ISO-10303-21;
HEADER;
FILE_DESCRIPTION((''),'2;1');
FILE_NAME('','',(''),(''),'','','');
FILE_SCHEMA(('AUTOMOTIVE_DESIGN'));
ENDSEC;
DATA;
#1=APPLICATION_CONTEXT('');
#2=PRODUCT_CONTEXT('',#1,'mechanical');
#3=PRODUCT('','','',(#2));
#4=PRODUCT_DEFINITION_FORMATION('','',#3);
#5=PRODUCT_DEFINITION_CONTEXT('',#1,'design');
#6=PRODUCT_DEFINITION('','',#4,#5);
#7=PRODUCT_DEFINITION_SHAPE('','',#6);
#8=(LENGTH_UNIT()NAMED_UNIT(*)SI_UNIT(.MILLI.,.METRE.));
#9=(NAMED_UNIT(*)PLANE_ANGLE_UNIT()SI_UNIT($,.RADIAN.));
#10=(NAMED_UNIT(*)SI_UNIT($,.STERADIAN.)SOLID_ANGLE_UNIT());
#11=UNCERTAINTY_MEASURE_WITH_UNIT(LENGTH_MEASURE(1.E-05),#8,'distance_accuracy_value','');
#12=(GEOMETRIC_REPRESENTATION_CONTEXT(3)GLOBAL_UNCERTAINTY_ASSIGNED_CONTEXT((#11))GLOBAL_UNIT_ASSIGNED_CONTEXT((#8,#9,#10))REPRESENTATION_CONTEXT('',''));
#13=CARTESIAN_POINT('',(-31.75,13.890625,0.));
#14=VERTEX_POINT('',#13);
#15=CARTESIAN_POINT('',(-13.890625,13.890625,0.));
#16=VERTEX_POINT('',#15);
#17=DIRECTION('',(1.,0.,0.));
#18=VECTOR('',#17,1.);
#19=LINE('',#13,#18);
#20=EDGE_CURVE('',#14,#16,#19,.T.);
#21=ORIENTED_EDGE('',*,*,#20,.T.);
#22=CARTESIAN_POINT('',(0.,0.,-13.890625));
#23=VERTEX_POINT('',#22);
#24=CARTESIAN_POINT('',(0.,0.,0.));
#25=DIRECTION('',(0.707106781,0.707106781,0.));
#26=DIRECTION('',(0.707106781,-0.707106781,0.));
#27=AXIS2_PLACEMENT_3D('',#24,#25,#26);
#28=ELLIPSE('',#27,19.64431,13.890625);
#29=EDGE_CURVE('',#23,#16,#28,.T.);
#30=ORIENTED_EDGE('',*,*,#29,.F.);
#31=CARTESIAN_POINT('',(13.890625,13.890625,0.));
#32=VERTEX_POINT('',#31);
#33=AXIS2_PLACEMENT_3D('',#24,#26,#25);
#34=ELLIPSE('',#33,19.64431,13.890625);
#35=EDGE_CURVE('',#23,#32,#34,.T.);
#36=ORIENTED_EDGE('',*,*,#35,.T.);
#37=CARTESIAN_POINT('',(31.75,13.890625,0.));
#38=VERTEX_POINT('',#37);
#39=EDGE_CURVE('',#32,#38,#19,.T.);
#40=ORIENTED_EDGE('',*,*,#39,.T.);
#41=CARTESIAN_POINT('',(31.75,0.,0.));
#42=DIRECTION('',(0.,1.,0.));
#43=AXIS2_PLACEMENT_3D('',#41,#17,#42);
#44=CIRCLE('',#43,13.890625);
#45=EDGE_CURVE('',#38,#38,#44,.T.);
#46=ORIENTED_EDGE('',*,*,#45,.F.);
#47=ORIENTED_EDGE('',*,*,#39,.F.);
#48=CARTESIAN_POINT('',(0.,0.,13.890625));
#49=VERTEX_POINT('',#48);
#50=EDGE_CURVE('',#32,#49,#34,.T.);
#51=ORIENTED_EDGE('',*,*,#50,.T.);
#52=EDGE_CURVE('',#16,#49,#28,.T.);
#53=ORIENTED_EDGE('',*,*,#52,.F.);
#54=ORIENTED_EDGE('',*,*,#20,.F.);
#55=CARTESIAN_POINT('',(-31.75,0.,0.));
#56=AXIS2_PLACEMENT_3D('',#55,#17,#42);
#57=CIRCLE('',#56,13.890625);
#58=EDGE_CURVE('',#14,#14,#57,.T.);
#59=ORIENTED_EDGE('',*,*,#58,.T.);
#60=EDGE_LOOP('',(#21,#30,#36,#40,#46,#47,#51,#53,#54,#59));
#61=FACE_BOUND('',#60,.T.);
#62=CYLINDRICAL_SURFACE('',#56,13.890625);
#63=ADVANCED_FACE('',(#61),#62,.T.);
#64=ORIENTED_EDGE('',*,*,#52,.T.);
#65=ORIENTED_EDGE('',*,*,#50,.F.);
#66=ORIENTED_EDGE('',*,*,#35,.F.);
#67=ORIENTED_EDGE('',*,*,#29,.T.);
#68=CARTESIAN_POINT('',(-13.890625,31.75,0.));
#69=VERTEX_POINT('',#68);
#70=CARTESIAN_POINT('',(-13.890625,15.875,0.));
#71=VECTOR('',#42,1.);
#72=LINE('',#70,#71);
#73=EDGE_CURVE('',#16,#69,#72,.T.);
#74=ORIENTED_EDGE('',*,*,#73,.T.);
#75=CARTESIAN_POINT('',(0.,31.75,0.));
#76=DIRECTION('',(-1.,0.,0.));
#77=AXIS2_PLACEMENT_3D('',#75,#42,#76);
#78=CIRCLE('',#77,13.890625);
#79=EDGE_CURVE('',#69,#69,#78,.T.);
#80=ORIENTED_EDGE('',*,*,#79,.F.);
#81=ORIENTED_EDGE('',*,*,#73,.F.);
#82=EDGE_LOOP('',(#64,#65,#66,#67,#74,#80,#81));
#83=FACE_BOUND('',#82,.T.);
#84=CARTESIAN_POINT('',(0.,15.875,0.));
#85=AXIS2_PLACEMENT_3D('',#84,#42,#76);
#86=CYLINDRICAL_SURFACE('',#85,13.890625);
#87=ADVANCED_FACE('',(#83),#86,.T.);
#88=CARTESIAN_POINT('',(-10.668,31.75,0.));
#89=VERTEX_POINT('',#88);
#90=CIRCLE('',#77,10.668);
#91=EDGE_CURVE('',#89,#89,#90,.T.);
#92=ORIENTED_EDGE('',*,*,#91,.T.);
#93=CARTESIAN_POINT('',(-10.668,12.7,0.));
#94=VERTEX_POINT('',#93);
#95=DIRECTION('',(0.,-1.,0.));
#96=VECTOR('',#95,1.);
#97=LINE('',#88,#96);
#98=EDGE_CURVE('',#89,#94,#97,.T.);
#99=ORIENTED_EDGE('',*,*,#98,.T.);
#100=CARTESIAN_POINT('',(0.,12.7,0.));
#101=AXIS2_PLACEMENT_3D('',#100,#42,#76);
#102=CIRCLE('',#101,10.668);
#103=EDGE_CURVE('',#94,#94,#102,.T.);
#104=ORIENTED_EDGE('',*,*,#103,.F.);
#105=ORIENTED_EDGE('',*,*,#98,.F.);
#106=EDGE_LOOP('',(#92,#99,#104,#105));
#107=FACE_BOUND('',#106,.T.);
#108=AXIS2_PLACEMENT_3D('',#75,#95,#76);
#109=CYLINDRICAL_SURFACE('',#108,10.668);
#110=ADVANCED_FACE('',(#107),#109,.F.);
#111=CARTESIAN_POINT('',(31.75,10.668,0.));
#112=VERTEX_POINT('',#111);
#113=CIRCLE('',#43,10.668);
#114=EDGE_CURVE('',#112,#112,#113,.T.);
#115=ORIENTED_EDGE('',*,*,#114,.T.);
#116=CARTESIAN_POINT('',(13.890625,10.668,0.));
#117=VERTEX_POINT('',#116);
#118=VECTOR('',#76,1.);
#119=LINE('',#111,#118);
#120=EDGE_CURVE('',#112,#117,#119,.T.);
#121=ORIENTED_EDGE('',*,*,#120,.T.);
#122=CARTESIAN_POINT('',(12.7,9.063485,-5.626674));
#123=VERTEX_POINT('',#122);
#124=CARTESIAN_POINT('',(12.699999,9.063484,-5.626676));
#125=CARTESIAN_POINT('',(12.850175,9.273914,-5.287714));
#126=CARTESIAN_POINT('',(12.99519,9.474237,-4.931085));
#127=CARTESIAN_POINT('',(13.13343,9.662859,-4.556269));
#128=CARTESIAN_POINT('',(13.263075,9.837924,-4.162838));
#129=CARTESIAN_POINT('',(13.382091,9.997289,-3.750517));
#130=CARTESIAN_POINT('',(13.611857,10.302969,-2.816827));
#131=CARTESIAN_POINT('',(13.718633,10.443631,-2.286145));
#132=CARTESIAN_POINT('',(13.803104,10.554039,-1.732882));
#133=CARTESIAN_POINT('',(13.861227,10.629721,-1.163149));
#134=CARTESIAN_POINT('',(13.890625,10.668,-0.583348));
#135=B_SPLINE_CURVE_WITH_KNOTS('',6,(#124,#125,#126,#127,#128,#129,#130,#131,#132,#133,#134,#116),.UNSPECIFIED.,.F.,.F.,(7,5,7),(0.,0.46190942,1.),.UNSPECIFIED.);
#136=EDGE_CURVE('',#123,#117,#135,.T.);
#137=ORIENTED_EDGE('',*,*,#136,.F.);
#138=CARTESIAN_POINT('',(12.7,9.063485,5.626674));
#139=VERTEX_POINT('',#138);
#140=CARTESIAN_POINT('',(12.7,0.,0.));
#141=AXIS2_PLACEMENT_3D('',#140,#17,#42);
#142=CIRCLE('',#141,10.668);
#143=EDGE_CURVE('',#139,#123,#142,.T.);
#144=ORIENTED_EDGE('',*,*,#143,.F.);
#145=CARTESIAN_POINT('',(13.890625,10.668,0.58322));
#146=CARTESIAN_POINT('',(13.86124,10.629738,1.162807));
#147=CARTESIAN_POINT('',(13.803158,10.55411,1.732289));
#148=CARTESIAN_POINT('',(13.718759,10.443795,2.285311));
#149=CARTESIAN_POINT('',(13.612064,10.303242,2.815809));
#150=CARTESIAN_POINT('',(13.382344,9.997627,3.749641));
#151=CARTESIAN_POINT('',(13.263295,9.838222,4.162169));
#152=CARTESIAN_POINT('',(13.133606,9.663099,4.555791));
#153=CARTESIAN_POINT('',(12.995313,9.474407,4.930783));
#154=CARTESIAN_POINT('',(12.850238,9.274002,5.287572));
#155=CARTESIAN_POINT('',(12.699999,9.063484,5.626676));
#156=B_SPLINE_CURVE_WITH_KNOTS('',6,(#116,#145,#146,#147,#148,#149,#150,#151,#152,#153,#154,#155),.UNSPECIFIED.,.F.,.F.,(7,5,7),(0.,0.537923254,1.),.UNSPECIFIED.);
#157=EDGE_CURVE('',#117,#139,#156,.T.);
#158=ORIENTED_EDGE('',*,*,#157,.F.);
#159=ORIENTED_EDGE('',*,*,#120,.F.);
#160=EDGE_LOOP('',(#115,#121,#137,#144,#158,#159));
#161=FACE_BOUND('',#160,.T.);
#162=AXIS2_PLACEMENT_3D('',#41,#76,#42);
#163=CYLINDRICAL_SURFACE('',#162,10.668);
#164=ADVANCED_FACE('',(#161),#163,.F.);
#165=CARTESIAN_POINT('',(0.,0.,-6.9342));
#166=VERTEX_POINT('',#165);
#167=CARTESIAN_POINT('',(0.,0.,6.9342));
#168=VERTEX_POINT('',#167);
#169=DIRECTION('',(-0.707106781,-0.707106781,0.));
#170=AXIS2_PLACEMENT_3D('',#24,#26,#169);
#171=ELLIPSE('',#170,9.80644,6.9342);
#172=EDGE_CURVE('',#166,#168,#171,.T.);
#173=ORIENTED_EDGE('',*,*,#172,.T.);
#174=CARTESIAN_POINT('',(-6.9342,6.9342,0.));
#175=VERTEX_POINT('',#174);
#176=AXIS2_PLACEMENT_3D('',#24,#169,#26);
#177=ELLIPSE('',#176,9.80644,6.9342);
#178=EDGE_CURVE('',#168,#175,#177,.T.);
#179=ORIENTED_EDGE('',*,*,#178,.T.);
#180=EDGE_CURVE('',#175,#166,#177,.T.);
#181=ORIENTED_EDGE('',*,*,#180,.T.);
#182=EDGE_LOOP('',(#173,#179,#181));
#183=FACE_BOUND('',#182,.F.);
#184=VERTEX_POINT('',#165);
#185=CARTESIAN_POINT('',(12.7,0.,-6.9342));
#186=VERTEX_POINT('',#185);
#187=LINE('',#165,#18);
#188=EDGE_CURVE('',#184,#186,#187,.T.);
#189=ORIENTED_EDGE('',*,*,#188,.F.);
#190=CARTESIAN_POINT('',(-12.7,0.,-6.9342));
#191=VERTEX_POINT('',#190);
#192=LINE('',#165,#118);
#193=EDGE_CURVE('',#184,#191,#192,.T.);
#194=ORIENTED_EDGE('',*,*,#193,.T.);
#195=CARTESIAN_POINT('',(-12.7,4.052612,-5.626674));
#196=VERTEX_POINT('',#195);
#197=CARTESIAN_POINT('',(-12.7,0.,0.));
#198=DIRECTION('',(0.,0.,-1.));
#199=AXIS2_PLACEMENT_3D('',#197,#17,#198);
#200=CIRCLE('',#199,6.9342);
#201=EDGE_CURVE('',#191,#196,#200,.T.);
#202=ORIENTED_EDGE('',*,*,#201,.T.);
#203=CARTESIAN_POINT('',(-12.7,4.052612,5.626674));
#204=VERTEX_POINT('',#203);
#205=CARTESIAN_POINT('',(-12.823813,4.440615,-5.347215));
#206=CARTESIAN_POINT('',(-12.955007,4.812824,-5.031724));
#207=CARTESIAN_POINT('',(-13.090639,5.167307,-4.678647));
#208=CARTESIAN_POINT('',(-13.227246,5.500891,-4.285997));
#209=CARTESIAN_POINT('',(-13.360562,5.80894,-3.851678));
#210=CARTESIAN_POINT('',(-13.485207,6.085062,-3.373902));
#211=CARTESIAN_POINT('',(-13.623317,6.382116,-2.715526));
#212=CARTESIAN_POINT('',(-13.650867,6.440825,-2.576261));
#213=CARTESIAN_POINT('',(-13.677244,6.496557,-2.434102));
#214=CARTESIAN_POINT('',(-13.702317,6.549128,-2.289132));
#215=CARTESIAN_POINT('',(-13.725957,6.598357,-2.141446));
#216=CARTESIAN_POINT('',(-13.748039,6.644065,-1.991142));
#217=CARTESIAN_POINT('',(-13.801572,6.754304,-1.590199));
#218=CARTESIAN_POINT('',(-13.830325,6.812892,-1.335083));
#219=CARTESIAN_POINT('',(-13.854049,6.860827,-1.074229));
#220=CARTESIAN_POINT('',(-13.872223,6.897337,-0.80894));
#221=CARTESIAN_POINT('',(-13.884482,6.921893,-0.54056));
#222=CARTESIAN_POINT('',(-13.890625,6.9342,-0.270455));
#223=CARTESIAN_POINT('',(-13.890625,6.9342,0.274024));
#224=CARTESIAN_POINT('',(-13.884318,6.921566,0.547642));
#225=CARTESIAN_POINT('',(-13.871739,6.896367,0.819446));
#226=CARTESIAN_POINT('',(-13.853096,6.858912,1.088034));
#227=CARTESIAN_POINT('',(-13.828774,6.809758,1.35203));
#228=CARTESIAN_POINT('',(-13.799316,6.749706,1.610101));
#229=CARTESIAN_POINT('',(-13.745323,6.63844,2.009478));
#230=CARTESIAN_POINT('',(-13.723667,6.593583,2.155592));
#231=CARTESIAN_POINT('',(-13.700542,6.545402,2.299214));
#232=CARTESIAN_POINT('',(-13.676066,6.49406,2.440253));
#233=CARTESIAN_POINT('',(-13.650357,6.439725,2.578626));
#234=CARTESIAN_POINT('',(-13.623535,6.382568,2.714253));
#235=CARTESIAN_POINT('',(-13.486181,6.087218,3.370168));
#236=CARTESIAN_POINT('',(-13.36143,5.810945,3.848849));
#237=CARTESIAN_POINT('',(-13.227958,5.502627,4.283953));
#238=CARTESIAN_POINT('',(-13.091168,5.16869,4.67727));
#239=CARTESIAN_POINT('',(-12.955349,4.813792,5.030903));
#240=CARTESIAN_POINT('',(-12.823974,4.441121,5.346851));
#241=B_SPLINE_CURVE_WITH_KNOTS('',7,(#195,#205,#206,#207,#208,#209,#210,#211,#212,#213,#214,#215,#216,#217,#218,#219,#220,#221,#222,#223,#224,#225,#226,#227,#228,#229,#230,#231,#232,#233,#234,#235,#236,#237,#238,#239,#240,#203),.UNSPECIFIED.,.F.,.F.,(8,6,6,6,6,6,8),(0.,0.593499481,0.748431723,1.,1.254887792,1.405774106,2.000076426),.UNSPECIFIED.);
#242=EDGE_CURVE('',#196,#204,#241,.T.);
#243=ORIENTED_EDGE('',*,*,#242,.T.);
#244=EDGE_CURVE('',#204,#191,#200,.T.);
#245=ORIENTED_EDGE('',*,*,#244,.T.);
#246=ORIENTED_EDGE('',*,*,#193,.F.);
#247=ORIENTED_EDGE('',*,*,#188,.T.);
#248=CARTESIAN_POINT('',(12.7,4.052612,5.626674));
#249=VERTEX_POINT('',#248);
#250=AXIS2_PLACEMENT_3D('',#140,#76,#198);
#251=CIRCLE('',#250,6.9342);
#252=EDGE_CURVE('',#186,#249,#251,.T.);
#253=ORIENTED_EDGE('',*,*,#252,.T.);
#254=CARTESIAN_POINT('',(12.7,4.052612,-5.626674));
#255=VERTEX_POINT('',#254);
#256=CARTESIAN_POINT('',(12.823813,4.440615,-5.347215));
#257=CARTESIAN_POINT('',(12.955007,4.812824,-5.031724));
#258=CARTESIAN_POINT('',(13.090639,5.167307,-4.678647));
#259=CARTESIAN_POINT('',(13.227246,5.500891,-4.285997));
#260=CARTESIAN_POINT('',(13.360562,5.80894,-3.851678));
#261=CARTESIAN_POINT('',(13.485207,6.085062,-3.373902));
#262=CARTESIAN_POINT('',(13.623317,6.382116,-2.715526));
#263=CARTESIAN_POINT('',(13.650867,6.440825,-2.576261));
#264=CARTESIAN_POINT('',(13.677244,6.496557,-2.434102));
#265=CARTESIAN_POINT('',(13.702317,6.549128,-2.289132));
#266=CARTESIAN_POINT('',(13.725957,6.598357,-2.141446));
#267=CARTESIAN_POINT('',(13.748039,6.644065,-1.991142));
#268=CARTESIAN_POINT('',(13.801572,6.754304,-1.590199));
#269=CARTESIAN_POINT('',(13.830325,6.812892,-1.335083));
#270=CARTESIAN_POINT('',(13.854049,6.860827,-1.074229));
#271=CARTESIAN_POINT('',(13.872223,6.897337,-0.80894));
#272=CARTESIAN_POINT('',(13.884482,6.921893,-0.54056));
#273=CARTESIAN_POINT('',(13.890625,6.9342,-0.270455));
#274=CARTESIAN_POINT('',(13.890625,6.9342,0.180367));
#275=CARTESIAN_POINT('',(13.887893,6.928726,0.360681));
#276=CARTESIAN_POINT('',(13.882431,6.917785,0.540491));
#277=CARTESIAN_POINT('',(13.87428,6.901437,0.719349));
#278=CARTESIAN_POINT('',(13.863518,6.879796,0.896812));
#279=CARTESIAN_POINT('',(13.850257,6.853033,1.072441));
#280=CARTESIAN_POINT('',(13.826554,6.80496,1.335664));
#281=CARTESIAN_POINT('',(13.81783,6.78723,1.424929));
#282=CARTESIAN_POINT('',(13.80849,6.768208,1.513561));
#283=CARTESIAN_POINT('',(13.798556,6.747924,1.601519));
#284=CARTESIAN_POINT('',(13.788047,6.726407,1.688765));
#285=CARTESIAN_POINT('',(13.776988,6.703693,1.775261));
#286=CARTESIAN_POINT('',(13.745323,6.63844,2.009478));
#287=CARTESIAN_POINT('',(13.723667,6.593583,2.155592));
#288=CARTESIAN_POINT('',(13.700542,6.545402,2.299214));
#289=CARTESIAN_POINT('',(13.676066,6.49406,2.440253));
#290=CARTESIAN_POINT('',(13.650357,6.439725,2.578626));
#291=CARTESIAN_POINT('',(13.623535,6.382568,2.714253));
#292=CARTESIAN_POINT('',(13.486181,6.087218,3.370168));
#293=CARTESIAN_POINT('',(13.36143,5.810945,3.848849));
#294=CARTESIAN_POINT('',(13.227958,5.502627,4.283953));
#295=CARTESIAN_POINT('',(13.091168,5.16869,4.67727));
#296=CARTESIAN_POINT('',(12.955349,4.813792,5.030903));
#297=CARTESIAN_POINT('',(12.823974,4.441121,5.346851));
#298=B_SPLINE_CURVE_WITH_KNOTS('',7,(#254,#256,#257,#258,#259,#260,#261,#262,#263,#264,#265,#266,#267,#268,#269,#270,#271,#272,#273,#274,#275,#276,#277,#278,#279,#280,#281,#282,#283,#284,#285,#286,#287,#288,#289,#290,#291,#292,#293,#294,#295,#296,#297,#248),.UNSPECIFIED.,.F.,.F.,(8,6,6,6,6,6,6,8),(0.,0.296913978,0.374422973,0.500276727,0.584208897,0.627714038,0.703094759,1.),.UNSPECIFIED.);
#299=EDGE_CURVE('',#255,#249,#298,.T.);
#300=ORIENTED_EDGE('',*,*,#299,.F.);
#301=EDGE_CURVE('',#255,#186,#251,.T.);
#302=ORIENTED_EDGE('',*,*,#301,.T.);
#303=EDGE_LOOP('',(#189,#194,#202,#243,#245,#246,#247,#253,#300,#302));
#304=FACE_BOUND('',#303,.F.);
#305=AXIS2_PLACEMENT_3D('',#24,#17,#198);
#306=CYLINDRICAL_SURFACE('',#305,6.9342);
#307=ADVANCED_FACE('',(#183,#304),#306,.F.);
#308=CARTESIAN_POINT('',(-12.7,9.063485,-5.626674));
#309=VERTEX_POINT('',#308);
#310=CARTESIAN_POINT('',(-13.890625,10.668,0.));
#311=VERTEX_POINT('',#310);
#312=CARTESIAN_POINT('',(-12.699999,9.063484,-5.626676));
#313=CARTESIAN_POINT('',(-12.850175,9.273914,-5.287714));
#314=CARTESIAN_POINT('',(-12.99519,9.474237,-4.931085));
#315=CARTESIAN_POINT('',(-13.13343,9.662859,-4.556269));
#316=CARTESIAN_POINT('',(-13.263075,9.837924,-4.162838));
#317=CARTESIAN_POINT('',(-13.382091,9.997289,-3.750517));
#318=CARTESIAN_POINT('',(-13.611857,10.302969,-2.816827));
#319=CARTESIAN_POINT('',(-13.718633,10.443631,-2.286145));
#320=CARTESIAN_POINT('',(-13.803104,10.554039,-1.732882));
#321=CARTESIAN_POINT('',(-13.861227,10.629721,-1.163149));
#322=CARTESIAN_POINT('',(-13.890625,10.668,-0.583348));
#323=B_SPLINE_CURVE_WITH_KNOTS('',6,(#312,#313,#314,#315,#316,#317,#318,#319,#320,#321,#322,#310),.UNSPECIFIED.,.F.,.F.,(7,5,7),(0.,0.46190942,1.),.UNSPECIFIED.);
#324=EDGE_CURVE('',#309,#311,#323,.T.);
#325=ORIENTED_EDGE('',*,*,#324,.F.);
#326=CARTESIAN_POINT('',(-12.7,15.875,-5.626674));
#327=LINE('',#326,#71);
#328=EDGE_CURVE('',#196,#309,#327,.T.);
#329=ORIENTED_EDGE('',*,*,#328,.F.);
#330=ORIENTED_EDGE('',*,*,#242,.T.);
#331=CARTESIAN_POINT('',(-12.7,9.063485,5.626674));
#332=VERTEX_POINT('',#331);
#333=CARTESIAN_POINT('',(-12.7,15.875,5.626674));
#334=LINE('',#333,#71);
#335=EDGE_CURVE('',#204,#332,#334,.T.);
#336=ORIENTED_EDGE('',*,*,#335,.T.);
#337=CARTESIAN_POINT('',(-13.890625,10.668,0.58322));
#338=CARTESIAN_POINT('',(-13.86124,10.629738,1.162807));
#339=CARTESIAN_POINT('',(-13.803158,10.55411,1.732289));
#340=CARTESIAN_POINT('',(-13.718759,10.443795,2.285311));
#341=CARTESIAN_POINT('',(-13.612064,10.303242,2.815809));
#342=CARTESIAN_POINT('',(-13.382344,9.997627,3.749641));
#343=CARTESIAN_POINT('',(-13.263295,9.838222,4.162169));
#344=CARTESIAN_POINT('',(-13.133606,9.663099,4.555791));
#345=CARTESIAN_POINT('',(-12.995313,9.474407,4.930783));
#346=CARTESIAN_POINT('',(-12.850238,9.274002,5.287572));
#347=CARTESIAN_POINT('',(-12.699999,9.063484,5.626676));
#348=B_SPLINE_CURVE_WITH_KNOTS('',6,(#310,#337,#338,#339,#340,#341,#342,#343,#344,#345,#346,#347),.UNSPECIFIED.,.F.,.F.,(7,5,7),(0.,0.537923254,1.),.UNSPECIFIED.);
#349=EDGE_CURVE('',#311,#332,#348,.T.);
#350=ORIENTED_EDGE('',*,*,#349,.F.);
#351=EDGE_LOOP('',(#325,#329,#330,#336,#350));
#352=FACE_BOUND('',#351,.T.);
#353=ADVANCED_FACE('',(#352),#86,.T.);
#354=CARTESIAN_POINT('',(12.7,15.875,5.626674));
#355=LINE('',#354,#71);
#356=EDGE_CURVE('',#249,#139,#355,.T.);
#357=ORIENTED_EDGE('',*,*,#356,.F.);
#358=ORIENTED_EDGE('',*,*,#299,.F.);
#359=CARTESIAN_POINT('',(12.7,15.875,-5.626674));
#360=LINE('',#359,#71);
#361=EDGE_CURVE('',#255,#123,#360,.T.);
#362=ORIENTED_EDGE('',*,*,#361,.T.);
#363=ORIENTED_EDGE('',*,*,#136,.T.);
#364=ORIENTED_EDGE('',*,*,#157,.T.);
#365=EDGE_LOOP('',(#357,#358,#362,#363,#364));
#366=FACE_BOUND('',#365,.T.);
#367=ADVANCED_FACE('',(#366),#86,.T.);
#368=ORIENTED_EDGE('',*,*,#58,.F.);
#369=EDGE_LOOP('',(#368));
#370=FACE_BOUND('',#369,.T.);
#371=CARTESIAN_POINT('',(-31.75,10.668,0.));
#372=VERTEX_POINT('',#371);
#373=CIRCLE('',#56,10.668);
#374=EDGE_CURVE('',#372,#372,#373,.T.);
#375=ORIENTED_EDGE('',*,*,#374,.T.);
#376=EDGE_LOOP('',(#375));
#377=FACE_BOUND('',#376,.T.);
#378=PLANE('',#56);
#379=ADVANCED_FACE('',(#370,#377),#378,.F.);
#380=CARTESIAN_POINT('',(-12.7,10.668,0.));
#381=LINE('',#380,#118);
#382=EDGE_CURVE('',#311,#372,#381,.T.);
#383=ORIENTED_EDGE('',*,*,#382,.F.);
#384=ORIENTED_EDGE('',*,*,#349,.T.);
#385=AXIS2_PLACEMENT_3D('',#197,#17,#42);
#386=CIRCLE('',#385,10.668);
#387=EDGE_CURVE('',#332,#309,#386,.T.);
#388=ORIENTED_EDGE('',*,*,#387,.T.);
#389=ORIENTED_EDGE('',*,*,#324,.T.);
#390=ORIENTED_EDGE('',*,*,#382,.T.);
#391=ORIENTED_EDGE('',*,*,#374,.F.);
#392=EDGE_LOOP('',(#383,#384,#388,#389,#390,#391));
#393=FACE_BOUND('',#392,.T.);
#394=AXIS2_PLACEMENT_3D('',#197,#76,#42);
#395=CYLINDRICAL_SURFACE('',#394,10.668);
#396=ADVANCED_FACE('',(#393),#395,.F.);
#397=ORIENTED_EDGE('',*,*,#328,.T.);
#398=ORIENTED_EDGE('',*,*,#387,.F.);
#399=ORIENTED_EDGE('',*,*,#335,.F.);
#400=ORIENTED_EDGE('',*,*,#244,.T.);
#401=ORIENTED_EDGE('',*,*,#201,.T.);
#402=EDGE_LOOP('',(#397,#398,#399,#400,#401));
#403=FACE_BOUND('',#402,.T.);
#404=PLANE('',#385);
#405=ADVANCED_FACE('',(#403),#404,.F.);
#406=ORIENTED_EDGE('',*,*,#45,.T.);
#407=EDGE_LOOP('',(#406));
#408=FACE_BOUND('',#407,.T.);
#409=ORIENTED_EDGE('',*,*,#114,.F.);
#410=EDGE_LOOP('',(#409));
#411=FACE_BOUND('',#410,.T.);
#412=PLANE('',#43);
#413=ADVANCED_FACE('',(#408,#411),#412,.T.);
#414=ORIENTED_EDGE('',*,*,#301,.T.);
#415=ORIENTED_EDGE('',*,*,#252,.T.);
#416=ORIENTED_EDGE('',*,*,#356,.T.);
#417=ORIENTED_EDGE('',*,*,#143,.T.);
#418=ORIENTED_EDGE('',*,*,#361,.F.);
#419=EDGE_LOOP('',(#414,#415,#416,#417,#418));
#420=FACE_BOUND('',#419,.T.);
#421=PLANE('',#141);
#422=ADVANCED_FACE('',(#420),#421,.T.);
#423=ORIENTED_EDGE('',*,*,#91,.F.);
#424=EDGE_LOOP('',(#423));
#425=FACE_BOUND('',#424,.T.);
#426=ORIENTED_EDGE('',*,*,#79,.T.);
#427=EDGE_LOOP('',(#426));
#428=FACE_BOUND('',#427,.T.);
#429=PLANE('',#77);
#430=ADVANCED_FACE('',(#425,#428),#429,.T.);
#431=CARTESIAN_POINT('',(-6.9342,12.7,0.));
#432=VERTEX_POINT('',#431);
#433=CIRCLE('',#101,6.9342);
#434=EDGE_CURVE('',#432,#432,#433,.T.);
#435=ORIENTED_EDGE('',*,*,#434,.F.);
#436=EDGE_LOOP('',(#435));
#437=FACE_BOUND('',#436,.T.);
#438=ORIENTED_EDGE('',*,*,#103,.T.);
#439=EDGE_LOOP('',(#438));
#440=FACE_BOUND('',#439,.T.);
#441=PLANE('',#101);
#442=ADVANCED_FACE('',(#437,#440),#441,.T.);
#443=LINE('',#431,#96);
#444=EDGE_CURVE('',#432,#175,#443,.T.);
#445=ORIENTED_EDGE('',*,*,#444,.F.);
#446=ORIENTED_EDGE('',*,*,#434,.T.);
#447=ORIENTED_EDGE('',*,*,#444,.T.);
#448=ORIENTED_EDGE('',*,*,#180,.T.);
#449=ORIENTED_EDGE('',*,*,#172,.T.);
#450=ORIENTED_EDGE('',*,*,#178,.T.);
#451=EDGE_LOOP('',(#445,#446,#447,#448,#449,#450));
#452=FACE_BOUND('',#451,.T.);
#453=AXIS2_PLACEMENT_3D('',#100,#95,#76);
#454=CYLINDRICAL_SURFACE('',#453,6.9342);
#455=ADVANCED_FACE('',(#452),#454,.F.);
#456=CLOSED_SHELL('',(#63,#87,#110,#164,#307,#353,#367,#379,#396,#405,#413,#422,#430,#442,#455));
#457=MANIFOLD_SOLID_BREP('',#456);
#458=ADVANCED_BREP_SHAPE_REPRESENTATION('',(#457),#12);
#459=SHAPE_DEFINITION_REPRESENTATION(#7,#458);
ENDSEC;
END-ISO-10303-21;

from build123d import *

# Parameters (mm, degrees)
SKETCH2_W               = 13.890625
SKETCH2_H               = 31.75
CUT_EXTRUDE1_DEPTH      = 48.000792219
CUT_EXTRUDE1_DEPTH_BACK = 48.000792219
SKETCH4_R               = 6.9342


with BuildPart() as part:
    # Sketch1 → Revolve1 (revolve)
    with BuildSketch(Plane.XY):
        Polygon((-31.75, 13.890625), (31.75, 13.890625), (31.75, 10.668), (12.7, 10.668), (12.7, 0), (-12.7, 0), (-12.7, 10.668), (-31.75, 10.668), align=None)
    revolve(axis=Axis((0, 0, 0), (1, 0, 0)))

    # Sketch2 → Revolve2 (revolve)
    with BuildSketch(Plane.XY):
        with Locations((-6.9453125, 15.875)):
            Rectangle(SKETCH2_W, SKETCH2_H)
    revolve(axis=Axis((0, 38.237555026, 0), (0, 1, 0)))

    # Sketch3 → Cut-Revolve1 (revolve, cut)
    with BuildSketch(Plane.XY):
        Polygon((0, 31.75), (-10.668, 31.75), (-10.668, 12.7), (-6.9342, 12.7), (-6.9342, 0), (0, 0), align=None)
    revolve(axis=Axis((0, 78.208657222, 0), (0, 1, 0)), mode=Mode.SUBTRACT)

    # Sketch4 → Cut-Extrude1 (cut, two sides: drawn at the far end of the back side and taken through both)
    with BuildSketch(Plane(origin=(0, 0, 0), x_dir=(0, 0, -1), z_dir=(1, 0, 0)).offset(-CUT_EXTRUDE1_DEPTH_BACK)):
        Circle(SKETCH4_R)
    extrude(amount=CUT_EXTRUDE1_DEPTH + CUT_EXTRUDE1_DEPTH_BACK, mode=Mode.SUBTRACT)


solid = part.part
